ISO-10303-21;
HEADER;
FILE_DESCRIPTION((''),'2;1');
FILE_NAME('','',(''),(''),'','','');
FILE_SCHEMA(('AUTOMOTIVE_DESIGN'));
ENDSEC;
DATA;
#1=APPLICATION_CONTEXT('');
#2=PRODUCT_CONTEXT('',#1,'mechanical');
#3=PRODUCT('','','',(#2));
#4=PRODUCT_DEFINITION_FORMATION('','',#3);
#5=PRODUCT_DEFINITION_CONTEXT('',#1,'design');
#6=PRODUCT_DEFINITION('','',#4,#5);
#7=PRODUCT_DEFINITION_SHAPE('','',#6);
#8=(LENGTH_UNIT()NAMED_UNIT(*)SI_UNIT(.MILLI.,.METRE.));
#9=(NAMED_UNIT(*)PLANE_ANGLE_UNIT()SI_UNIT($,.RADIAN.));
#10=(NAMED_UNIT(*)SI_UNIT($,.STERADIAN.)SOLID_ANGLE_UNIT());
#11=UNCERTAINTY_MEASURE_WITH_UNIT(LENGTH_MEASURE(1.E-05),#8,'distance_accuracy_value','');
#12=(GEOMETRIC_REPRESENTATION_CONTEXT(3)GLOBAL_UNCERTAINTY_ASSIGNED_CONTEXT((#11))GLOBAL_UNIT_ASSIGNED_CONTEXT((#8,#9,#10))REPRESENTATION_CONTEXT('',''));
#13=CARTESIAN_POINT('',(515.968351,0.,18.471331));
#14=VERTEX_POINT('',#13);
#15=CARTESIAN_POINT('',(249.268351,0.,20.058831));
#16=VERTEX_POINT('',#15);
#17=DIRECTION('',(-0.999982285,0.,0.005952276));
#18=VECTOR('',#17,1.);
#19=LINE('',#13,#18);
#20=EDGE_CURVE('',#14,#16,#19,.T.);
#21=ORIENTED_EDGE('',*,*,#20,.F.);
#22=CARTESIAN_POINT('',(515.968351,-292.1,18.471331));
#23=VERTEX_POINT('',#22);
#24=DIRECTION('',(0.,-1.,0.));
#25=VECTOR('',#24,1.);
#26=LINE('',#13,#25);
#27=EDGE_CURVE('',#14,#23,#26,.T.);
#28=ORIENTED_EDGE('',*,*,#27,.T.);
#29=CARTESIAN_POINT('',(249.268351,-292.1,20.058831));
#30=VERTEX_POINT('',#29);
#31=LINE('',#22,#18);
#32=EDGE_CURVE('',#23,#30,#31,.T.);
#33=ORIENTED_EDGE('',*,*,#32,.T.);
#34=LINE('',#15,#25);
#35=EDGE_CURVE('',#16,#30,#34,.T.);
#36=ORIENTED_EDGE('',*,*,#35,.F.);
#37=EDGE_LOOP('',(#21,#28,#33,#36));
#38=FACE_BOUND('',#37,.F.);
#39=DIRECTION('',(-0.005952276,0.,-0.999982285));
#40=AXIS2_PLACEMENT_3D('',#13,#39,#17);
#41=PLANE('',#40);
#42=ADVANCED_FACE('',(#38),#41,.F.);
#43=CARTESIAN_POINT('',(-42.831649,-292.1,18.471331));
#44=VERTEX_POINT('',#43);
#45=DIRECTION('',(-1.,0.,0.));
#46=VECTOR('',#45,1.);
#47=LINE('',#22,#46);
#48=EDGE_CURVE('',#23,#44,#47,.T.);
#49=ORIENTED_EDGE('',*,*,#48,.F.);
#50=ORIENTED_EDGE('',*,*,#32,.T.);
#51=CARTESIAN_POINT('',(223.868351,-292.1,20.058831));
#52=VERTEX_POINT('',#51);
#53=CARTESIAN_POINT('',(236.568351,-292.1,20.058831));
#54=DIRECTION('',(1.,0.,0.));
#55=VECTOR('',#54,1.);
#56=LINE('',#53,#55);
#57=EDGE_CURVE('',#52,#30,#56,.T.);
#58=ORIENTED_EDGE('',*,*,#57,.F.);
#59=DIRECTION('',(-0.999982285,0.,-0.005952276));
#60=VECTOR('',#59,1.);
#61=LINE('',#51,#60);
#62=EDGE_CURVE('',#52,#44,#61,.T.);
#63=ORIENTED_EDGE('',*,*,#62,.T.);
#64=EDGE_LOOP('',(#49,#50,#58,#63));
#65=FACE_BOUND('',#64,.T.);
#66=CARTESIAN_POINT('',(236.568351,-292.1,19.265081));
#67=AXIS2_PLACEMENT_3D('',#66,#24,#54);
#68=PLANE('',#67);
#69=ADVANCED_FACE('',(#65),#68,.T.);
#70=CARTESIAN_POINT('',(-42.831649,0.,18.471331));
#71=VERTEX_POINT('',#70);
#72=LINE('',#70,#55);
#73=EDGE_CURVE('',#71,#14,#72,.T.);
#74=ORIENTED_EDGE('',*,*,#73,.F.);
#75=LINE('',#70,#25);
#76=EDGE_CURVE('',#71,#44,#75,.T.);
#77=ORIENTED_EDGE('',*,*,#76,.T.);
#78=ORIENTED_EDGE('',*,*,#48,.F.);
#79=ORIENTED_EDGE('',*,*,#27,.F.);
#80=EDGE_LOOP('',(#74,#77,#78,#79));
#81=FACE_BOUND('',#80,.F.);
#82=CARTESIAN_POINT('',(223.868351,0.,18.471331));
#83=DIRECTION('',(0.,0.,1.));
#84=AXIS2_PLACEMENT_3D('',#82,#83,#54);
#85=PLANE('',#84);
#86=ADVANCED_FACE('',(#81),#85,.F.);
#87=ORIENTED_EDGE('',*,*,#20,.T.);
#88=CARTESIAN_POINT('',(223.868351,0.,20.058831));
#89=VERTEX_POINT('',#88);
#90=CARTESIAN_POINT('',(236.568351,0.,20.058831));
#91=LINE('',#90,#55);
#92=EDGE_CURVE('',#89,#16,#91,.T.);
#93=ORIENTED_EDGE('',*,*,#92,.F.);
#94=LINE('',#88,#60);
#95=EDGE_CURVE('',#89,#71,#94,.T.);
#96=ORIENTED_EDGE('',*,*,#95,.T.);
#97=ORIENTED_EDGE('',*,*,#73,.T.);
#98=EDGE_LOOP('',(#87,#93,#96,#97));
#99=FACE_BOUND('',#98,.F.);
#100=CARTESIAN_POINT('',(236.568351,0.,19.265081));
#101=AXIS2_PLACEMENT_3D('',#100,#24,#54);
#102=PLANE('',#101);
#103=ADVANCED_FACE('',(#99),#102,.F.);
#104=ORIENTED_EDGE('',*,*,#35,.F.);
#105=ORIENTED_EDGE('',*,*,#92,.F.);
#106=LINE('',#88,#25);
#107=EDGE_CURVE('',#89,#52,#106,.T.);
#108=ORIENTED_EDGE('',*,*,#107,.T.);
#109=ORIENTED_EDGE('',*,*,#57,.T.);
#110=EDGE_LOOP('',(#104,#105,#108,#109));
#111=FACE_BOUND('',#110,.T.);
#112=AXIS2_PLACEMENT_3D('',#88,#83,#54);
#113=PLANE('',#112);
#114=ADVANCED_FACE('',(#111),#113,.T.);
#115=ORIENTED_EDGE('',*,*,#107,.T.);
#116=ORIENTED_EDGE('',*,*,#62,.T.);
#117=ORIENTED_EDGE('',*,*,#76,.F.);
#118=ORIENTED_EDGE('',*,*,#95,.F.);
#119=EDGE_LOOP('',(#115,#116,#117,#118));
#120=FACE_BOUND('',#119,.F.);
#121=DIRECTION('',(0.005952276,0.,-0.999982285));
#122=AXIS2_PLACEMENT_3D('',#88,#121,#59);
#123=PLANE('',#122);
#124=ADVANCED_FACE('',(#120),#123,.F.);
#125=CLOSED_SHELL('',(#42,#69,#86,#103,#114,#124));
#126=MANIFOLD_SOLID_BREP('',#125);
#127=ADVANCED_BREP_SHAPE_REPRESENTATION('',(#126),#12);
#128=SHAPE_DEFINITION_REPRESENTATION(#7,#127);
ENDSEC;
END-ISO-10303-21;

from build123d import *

# Parameters (mm, degrees)
F1_DEPTH = 292.1
F0_W     = 25.4
F0_H     = 1.5875
F2_DEPTH = 292.1


with BuildPart() as f1:
    # F0 (on Front) → F1 (new body)
    with BuildSketch(Plane.XZ):
        Polygon((223.868351, 20.058831), (-42.831649, 18.471331), (223.868351, 18.471331), align=None)
        Polygon((515.968351, 18.471331), (249.268351, 20.058831), (249.268351, 18.471331), align=None)
    extrude(amount=F1_DEPTH)

    # F0 (on Front) → F2 (join)
    with BuildSketch(Plane.XZ):
        with Locations((236.568351, 19.265081)):
            Rectangle(F0_W, F0_H)
    extrude(amount=F2_DEPTH)


solid = f1.part
